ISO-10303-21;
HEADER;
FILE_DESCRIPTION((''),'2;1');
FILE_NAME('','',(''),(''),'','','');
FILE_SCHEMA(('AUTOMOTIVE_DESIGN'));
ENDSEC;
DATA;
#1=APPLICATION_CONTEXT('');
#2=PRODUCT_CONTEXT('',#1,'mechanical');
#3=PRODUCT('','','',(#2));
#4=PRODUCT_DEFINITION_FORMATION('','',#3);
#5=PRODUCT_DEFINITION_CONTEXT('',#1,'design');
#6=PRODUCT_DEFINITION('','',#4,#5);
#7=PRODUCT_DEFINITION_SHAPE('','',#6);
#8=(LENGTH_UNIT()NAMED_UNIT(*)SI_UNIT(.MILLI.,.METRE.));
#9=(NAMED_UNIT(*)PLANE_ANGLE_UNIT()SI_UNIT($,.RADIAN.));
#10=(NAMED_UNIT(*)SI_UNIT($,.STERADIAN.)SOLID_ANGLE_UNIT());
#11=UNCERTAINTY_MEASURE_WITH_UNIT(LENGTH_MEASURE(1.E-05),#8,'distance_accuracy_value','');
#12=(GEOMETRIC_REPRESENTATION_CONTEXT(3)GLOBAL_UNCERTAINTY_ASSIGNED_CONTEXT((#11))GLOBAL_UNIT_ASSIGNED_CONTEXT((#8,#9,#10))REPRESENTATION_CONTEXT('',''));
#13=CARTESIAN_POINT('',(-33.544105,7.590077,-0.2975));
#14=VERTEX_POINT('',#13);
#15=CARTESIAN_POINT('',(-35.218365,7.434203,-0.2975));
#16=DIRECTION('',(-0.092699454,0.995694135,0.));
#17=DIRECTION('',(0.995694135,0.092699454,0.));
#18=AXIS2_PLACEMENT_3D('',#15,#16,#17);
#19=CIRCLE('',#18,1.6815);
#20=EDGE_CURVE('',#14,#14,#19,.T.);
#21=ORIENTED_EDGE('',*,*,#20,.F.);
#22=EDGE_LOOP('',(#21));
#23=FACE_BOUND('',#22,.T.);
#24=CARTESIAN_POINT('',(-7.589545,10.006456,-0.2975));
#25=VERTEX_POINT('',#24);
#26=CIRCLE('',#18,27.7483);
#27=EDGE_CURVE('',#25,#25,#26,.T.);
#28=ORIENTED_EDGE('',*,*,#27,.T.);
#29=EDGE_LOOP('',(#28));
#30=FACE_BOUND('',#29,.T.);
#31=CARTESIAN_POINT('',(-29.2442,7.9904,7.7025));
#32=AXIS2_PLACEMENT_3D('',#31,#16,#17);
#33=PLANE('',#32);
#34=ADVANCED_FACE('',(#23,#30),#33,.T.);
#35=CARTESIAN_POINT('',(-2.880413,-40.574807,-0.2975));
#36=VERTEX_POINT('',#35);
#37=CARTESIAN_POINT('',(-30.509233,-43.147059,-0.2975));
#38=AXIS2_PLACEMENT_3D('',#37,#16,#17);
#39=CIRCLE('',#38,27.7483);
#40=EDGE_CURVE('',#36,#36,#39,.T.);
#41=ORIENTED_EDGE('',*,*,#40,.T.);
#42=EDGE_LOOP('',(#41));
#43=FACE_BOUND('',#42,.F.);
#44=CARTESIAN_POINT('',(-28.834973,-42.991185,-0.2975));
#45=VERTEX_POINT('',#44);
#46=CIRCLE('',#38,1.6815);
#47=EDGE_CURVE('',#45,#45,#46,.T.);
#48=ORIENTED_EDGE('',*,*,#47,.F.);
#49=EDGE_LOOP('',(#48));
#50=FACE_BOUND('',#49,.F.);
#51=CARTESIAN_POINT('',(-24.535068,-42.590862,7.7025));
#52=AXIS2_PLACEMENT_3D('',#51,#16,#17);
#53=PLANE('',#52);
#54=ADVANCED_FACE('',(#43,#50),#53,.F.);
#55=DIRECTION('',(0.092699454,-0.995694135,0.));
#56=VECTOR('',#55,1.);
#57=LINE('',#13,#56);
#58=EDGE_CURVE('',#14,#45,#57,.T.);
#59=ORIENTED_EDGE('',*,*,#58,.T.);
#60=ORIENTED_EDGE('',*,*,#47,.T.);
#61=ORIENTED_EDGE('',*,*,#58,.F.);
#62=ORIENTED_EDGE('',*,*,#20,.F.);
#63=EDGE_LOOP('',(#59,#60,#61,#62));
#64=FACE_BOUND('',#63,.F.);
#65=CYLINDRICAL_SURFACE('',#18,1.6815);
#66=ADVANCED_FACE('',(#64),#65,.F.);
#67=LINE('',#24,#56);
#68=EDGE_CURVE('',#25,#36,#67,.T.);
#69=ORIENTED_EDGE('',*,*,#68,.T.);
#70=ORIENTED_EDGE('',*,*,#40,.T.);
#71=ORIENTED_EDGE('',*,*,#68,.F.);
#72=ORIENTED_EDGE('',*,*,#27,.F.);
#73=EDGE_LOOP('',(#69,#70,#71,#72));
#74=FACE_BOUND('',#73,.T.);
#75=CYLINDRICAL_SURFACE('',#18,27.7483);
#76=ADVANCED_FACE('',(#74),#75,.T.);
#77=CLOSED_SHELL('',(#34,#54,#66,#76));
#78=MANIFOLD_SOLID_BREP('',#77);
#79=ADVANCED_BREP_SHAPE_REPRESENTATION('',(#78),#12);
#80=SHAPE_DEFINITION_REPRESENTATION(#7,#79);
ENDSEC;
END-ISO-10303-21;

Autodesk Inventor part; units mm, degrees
ref_plane "YZ Plane" through (0, 0, 0) normal (1, 0, 0) x (0, 1, 0)
ref_plane "XZ Plane" through (0, 0, 0) normal (0, 1, 0) x (-1, 0, 0)
ref_plane "XY Plane" through (0, 0, 0) normal (0, 0, 1) x (1, 0, 0)
ref_plane "Work Plane1" through (-29.2442, 7.9904, 7.7025) normal (-0.0927, 0.9957, 0) x (0.9957, 0.0927, 0)
sketch "Sketch3" plane through (-29.2442, 7.9904, 7.7025) normal (-0.0927, 0.9957, 0) x (0.9957, 0.0927, 0)
  circle A0 centre (-6, 8) radius 1.6815 projected
  circle A1 centre (-6, 8) radius 27.7483
  point P0 (28.3775, 7.7025)
extrude "Extrusion3" add sketch "Sketch3" against normal blind 50.8
properties part number "CylinderV02"
